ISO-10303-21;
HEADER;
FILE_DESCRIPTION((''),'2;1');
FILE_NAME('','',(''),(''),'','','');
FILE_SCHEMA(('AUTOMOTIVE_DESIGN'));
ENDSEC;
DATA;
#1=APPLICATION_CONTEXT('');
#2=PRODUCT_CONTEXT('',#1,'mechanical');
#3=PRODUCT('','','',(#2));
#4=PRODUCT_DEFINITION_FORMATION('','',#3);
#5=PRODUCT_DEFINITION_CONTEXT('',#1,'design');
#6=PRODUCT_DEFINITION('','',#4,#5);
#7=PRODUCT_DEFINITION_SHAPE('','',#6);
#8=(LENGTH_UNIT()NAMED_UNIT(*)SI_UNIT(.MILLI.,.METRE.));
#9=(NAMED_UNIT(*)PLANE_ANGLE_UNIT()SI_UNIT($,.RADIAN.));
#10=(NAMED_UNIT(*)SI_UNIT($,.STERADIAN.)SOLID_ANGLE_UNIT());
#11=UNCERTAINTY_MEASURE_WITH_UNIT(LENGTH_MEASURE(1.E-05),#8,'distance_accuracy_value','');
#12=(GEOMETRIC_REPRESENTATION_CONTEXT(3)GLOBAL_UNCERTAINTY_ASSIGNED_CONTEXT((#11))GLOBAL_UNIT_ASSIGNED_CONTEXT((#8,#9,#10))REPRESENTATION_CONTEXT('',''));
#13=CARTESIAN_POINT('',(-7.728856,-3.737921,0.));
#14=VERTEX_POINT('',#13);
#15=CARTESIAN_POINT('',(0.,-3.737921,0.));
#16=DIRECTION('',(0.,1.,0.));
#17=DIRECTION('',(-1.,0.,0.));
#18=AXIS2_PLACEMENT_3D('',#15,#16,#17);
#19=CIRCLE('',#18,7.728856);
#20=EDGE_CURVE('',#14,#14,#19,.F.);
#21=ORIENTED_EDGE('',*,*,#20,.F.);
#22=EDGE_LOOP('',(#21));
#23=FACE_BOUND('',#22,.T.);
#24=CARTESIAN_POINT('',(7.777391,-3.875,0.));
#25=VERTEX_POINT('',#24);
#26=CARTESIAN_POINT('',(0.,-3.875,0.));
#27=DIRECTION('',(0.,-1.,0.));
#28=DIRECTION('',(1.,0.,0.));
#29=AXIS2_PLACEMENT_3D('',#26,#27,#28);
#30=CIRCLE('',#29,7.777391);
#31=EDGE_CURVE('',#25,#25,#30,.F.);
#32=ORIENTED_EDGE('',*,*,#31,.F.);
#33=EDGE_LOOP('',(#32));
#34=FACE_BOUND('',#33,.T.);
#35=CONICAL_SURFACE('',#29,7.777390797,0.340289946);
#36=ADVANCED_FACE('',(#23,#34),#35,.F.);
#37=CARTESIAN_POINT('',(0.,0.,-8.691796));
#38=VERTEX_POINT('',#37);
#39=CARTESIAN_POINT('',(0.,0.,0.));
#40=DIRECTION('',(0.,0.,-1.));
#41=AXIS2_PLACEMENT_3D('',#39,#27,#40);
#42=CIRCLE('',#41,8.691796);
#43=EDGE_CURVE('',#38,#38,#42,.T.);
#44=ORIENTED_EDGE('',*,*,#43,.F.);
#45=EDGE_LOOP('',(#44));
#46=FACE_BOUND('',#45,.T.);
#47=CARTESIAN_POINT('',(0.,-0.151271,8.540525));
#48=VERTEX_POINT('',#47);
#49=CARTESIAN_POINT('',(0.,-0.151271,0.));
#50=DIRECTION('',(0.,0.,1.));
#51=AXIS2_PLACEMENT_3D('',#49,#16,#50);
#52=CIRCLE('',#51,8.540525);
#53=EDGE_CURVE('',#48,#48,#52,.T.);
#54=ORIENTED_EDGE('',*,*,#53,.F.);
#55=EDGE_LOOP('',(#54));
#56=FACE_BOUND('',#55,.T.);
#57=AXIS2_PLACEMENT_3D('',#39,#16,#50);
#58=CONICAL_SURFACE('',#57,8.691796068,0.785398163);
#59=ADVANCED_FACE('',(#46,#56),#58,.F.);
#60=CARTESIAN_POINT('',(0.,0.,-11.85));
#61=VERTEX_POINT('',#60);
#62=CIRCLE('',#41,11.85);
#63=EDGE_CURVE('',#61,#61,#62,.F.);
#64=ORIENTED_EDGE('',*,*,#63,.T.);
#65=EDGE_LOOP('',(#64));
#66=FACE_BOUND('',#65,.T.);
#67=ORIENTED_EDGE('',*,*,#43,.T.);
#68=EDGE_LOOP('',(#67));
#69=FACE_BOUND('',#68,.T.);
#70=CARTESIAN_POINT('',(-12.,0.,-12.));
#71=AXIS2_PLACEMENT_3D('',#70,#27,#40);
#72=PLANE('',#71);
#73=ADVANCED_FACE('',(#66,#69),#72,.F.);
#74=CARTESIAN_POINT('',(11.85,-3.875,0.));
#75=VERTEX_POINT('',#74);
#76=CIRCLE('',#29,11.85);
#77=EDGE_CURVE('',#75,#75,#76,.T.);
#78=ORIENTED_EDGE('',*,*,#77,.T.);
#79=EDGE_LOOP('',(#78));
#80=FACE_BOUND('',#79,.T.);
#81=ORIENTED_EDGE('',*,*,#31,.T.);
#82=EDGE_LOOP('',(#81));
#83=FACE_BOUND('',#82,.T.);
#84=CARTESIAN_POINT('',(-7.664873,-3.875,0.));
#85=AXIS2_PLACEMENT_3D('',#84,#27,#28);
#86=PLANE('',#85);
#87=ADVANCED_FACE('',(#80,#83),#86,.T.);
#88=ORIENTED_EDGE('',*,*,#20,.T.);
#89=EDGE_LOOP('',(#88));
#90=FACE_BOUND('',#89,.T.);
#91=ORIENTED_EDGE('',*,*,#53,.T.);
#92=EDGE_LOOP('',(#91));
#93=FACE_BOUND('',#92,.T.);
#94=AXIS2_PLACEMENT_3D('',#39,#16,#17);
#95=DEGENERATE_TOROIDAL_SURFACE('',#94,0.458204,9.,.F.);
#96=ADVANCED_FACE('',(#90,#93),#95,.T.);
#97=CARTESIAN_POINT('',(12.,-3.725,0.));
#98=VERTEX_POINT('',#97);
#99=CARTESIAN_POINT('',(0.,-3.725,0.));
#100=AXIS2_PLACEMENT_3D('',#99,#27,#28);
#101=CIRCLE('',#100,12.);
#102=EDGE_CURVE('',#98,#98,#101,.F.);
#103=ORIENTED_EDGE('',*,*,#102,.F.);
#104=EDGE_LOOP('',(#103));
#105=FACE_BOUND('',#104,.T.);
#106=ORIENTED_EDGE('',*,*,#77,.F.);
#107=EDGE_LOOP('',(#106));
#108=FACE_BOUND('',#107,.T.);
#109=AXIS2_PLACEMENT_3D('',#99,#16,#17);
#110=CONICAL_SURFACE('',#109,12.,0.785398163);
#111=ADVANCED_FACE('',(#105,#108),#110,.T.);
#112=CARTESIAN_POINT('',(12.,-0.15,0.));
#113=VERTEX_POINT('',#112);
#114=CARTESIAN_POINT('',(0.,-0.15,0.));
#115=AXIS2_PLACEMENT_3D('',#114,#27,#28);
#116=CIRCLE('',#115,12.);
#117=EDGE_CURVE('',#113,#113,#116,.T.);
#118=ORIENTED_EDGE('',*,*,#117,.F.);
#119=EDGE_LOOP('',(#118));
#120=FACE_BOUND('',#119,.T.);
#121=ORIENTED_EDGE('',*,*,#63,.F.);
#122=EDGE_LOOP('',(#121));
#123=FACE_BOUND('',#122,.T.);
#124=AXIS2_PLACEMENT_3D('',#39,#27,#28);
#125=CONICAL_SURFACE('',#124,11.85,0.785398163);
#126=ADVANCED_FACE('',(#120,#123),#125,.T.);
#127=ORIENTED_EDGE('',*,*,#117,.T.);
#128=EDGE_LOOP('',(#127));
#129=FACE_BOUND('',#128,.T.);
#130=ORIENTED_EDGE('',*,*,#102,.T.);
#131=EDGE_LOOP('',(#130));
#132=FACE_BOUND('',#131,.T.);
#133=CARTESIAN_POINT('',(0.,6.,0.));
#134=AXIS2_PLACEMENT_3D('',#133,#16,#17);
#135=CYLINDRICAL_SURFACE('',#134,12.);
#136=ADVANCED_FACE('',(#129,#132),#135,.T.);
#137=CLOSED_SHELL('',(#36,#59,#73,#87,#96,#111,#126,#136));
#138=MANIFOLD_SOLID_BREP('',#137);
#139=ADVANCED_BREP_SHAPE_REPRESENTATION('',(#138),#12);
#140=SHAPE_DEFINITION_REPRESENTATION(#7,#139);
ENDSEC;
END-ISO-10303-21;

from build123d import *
from OCP.BRepFilletAPI import BRepFilletAPI_MakeChamfer

# Parameters (mm, degrees)
CUT_EXTRUDE1_DEPTH      = 18.407344018
CUT_EXTRUDE1_DEPTH_BACK = 18.407344018
SKETCH3_W               = 25.396980305
SKETCH3_H               = 7.254542424
CHAMFER1_SIZE           = 0.15
CHAMFER1_SIZE2          = 0.112518034


with BuildPart() as part:
    # Sketch2 → Revolve1 (revolve)
    with BuildSketch(Plane.XY):
        with BuildLine():
            Line((-7.664872763, -3.875), (-12, -3.875))
            Line((-12, -3.875), (-12, 3.875))
            Line((-12, 3.875), (-7.664872763, 3.875))
            ThreePointArc((-7.664872763, 3.875), (-8.541796068, 0), (-7.664872763, -3.875))
        make_face()
    revolve(axis=Axis((0, 6, 0), (0, -1, 0)))

    # Sketch3 → Cut-Extrude1 (cut, two sides: drawn at the far end of the back side and taken through both)
    with BuildSketch(Plane.XY.offset(-CUT_EXTRUDE1_DEPTH_BACK)):
        with Locations((0.698490153, 3.627271212)):
            Rectangle(SKETCH3_W, SKETCH3_H)
    extrude(amount=CUT_EXTRUDE1_DEPTH + CUT_EXTRUDE1_DEPTH_BACK, mode=Mode.SUBTRACT)

    # Chamfer1: one chamfer whose edges measure the first distance from different faces: ONE call of the kernel's chamfer builder (chamfer() names one face for all edges)
    chamfer1_edges_1 = [part.edges().sort_by_distance(p)[0] for p in [
        (12, 0, 0),
        (8.541796068, 0, -5e-09),
        (12, -3.875, 0),
    ]]
    chamfer1_edges_2 = [part.edges().sort_by_distance(p)[0] for p in [
        (7.664872763, -3.875, 0),
    ]]
    chamfer1_side_2 = [part.faces().sort_by_distance(p)[0] for p in [
        (8.31982803, -1.986493109, 0),
    ]]
    chamfer1 = BRepFilletAPI_MakeChamfer(part.part.solid().wrapped)
    for e in chamfer1_edges_1:
        chamfer1.Add(CHAMFER1_SIZE, e.wrapped)
    for e in chamfer1_edges_2:
        chamfer1.Add(CHAMFER1_SIZE, CHAMFER1_SIZE2, e.wrapped, chamfer1_side_2[0].wrapped)  # the first distance lies on this face
    add(Compound.cast(chamfer1.Shape()), mode=Mode.REPLACE)


solid = part.part
